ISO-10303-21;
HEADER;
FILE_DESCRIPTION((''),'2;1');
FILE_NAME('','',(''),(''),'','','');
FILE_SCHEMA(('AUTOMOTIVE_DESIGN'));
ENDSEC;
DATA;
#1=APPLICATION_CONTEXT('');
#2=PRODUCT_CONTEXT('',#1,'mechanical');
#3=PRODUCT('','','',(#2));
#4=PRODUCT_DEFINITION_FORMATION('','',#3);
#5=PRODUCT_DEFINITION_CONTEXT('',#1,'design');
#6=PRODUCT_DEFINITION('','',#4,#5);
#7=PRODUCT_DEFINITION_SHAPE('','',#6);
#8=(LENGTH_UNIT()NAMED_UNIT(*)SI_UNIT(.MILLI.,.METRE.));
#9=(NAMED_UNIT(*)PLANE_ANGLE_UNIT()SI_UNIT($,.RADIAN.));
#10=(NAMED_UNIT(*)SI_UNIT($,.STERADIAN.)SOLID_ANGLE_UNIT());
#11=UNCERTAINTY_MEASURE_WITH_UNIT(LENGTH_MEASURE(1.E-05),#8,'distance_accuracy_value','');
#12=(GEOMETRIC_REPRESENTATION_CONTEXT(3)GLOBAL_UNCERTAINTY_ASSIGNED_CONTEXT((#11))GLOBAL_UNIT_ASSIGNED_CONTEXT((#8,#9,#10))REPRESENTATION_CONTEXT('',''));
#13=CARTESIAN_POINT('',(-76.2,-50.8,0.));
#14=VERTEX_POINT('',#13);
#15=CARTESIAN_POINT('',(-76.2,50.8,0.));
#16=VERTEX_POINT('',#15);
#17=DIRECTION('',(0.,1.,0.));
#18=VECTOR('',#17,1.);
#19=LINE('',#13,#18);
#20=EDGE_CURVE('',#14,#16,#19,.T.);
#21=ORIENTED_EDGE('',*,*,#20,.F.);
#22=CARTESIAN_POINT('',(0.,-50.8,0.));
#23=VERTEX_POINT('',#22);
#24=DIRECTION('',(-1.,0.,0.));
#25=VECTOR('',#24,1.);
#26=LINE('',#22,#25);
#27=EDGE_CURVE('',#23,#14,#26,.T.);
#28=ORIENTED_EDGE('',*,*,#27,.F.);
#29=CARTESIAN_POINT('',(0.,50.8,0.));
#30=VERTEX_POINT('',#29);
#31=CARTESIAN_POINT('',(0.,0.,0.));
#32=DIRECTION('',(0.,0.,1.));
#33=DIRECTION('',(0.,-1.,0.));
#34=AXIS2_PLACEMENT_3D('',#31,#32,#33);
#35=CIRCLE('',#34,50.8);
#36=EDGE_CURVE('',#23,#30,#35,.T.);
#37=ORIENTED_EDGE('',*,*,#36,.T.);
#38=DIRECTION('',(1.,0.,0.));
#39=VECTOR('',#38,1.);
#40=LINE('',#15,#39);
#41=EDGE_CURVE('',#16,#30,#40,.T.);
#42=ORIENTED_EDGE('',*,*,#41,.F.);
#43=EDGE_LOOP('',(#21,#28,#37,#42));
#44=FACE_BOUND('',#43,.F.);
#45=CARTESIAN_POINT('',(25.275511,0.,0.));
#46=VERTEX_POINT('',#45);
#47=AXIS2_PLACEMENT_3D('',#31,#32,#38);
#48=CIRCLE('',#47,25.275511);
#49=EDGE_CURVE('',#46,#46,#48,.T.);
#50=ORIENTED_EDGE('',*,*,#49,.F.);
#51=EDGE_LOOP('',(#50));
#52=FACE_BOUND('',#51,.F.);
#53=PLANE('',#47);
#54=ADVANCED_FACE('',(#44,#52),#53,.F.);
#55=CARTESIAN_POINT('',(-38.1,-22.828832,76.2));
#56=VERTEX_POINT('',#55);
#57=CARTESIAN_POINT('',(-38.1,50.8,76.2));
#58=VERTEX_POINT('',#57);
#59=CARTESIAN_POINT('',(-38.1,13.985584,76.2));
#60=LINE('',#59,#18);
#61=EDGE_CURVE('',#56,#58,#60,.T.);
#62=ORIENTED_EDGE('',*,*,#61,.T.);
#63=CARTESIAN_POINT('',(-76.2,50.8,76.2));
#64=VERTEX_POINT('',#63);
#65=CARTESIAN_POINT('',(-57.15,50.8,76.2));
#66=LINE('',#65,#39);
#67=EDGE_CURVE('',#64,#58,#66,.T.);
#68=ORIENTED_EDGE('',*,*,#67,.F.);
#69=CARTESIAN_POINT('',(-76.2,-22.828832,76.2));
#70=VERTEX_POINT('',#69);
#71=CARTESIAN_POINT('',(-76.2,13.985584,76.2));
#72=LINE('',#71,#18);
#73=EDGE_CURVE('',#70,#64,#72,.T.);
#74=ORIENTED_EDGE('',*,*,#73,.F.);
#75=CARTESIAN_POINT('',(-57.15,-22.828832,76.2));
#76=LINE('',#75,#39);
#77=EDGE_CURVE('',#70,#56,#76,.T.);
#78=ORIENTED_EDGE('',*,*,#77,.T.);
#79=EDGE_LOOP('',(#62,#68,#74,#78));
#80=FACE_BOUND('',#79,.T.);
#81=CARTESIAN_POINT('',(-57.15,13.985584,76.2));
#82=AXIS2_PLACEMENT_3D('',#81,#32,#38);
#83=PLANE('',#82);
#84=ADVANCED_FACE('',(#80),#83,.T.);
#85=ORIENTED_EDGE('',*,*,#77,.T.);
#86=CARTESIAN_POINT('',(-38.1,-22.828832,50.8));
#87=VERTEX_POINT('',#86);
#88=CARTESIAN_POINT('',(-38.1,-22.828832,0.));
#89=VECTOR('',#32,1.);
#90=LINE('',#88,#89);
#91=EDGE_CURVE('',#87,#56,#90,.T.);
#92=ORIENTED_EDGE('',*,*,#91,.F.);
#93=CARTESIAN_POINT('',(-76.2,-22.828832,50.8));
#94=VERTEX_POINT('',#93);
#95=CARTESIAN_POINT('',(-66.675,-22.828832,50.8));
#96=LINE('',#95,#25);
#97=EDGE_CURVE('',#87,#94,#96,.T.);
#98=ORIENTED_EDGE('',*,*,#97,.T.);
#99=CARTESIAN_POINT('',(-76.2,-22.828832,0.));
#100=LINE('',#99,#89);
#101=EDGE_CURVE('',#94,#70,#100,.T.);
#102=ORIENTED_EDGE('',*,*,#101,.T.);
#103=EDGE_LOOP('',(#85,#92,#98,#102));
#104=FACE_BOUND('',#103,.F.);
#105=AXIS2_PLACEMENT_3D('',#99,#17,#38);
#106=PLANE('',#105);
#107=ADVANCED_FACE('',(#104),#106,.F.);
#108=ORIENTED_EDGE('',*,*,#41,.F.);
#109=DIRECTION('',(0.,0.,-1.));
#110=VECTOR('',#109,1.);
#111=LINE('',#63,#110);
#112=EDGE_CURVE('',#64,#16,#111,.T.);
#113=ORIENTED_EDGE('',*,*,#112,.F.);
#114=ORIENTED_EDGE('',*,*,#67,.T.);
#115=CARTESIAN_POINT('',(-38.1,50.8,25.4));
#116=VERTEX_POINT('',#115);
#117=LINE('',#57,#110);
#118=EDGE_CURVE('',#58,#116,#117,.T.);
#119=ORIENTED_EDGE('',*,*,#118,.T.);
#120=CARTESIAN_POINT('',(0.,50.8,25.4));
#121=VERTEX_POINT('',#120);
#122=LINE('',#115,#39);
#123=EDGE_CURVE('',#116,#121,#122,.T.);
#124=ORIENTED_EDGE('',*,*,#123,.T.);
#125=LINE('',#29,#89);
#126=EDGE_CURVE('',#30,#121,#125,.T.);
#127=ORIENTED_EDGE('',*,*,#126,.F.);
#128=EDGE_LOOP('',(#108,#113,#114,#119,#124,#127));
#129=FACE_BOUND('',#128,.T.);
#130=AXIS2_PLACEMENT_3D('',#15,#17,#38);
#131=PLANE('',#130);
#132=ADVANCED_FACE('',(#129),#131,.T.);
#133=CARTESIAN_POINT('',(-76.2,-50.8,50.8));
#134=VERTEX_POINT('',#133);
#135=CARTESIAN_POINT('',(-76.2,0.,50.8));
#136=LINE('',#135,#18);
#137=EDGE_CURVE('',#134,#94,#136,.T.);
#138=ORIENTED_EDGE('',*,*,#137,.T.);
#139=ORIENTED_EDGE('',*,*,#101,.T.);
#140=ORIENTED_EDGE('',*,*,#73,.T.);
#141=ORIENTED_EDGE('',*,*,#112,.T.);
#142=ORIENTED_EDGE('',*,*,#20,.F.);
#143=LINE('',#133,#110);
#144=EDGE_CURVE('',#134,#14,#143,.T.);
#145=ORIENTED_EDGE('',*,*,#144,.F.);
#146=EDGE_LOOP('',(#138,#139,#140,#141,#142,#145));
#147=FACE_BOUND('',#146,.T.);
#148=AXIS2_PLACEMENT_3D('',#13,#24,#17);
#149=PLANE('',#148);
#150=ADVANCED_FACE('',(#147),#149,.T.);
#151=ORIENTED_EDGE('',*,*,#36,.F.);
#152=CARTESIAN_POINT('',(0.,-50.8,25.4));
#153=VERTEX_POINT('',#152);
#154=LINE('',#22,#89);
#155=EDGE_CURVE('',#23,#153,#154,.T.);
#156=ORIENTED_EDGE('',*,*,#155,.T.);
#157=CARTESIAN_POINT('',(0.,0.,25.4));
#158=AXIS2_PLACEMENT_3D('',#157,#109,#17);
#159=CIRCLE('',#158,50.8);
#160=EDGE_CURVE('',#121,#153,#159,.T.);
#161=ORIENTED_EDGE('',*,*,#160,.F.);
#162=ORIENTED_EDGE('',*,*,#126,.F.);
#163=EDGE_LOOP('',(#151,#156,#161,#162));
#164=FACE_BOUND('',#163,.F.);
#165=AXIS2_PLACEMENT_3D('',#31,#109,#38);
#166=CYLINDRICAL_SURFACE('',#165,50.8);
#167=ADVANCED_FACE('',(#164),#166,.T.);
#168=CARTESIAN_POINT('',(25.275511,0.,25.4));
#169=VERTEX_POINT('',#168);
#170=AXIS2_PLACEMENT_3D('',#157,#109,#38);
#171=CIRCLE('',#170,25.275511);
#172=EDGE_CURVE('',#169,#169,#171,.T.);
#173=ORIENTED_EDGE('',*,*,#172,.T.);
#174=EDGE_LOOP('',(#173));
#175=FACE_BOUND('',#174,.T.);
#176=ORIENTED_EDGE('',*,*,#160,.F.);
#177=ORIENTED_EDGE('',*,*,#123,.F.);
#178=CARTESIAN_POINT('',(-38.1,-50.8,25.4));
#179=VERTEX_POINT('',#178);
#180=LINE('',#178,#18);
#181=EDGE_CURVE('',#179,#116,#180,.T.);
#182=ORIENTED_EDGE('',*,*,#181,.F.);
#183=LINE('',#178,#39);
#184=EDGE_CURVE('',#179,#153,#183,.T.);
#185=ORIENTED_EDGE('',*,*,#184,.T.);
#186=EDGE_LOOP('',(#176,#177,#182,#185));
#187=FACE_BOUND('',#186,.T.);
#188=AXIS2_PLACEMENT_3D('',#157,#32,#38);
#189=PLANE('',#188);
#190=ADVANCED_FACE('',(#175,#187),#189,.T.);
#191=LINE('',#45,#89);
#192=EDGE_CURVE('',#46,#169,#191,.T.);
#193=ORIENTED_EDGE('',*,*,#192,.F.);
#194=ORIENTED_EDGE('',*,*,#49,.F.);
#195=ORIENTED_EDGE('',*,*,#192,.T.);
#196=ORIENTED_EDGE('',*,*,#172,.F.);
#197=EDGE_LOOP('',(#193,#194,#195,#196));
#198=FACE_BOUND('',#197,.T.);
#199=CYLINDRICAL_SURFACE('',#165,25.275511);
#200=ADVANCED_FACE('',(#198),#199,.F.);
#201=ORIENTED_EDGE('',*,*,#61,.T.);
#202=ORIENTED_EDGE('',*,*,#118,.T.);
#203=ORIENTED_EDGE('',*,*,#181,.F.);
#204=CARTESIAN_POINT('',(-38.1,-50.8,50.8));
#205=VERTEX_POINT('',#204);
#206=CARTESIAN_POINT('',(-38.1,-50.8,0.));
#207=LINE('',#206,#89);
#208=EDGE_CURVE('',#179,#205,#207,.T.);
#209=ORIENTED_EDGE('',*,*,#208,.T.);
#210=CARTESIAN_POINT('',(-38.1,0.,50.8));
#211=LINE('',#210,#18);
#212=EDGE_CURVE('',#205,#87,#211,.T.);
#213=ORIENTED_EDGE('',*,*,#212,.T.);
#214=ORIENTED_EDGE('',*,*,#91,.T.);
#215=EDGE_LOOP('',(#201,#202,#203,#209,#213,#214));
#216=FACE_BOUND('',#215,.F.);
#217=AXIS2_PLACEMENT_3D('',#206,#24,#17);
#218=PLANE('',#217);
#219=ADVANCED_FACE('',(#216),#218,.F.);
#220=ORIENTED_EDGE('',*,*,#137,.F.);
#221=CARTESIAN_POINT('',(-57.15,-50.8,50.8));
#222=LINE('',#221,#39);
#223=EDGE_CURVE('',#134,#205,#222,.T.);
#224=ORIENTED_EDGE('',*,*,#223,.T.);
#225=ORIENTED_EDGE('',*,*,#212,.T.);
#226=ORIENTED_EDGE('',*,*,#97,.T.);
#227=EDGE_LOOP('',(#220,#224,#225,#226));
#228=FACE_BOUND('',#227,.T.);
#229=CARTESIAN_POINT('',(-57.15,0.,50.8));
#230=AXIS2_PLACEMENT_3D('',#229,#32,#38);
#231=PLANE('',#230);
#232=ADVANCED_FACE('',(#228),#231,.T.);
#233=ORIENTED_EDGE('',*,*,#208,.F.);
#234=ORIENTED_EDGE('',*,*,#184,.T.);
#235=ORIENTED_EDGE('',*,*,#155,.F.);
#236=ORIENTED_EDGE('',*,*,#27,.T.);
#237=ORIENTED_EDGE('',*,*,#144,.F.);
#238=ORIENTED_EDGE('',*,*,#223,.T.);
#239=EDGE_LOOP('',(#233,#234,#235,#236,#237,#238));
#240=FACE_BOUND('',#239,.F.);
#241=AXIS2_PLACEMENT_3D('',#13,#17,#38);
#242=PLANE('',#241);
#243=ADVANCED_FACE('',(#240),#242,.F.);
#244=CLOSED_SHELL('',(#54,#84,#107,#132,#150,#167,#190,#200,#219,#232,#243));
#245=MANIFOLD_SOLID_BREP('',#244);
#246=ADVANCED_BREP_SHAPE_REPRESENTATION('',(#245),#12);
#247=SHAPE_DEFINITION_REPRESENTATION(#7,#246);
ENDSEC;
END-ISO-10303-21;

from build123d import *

# Parameters (mm, degrees)
F0_W     = 76.2
F0_H     = 101.6
F2_DEPTH = 25.4
F1_R     = 50.8
F3_DEPTH = 25.4
F4_R     = 25.275511
F5_DEPTH = 25.401
F6_W     = 38.1
F6_H     = 101.6
F7_DEPTH = 50.8
F8_W     = 38.1
F8_H     = 73.628832
F9_DEPTH = 76.2


with BuildPart() as f2:
    # F0 (on Top) → F2 (new body)
    with BuildSketch(Plane.XY):
        with Locations((-38.1, 0)):
            Rectangle(F0_W, F0_H)
    extrude(amount=F2_DEPTH)

    # F1 (on Top) → F3 (join)
    with BuildSketch(Plane.XY):
        Circle(F1_R)
    extrude(amount=F3_DEPTH)

    # F4 (on Top) → F5 (cut, through all)
    with BuildSketch(Plane.XY):
        Circle(F4_R)
    extrude(amount=F5_DEPTH, mode=Mode.SUBTRACT)

    # F6 (on Top) → F7 (join)
    with BuildSketch(Plane.XY):
        with Locations((-57.15, 0)):
            Rectangle(F6_W, F6_H)
    extrude(amount=F7_DEPTH)

    # F8 (on Top) → F9 (join)
    with BuildSketch(Plane.XY):
        with Locations((-57.15, 13.985584)):
            Rectangle(F8_W, F8_H)
    extrude(amount=F9_DEPTH)


solid = f2.part
